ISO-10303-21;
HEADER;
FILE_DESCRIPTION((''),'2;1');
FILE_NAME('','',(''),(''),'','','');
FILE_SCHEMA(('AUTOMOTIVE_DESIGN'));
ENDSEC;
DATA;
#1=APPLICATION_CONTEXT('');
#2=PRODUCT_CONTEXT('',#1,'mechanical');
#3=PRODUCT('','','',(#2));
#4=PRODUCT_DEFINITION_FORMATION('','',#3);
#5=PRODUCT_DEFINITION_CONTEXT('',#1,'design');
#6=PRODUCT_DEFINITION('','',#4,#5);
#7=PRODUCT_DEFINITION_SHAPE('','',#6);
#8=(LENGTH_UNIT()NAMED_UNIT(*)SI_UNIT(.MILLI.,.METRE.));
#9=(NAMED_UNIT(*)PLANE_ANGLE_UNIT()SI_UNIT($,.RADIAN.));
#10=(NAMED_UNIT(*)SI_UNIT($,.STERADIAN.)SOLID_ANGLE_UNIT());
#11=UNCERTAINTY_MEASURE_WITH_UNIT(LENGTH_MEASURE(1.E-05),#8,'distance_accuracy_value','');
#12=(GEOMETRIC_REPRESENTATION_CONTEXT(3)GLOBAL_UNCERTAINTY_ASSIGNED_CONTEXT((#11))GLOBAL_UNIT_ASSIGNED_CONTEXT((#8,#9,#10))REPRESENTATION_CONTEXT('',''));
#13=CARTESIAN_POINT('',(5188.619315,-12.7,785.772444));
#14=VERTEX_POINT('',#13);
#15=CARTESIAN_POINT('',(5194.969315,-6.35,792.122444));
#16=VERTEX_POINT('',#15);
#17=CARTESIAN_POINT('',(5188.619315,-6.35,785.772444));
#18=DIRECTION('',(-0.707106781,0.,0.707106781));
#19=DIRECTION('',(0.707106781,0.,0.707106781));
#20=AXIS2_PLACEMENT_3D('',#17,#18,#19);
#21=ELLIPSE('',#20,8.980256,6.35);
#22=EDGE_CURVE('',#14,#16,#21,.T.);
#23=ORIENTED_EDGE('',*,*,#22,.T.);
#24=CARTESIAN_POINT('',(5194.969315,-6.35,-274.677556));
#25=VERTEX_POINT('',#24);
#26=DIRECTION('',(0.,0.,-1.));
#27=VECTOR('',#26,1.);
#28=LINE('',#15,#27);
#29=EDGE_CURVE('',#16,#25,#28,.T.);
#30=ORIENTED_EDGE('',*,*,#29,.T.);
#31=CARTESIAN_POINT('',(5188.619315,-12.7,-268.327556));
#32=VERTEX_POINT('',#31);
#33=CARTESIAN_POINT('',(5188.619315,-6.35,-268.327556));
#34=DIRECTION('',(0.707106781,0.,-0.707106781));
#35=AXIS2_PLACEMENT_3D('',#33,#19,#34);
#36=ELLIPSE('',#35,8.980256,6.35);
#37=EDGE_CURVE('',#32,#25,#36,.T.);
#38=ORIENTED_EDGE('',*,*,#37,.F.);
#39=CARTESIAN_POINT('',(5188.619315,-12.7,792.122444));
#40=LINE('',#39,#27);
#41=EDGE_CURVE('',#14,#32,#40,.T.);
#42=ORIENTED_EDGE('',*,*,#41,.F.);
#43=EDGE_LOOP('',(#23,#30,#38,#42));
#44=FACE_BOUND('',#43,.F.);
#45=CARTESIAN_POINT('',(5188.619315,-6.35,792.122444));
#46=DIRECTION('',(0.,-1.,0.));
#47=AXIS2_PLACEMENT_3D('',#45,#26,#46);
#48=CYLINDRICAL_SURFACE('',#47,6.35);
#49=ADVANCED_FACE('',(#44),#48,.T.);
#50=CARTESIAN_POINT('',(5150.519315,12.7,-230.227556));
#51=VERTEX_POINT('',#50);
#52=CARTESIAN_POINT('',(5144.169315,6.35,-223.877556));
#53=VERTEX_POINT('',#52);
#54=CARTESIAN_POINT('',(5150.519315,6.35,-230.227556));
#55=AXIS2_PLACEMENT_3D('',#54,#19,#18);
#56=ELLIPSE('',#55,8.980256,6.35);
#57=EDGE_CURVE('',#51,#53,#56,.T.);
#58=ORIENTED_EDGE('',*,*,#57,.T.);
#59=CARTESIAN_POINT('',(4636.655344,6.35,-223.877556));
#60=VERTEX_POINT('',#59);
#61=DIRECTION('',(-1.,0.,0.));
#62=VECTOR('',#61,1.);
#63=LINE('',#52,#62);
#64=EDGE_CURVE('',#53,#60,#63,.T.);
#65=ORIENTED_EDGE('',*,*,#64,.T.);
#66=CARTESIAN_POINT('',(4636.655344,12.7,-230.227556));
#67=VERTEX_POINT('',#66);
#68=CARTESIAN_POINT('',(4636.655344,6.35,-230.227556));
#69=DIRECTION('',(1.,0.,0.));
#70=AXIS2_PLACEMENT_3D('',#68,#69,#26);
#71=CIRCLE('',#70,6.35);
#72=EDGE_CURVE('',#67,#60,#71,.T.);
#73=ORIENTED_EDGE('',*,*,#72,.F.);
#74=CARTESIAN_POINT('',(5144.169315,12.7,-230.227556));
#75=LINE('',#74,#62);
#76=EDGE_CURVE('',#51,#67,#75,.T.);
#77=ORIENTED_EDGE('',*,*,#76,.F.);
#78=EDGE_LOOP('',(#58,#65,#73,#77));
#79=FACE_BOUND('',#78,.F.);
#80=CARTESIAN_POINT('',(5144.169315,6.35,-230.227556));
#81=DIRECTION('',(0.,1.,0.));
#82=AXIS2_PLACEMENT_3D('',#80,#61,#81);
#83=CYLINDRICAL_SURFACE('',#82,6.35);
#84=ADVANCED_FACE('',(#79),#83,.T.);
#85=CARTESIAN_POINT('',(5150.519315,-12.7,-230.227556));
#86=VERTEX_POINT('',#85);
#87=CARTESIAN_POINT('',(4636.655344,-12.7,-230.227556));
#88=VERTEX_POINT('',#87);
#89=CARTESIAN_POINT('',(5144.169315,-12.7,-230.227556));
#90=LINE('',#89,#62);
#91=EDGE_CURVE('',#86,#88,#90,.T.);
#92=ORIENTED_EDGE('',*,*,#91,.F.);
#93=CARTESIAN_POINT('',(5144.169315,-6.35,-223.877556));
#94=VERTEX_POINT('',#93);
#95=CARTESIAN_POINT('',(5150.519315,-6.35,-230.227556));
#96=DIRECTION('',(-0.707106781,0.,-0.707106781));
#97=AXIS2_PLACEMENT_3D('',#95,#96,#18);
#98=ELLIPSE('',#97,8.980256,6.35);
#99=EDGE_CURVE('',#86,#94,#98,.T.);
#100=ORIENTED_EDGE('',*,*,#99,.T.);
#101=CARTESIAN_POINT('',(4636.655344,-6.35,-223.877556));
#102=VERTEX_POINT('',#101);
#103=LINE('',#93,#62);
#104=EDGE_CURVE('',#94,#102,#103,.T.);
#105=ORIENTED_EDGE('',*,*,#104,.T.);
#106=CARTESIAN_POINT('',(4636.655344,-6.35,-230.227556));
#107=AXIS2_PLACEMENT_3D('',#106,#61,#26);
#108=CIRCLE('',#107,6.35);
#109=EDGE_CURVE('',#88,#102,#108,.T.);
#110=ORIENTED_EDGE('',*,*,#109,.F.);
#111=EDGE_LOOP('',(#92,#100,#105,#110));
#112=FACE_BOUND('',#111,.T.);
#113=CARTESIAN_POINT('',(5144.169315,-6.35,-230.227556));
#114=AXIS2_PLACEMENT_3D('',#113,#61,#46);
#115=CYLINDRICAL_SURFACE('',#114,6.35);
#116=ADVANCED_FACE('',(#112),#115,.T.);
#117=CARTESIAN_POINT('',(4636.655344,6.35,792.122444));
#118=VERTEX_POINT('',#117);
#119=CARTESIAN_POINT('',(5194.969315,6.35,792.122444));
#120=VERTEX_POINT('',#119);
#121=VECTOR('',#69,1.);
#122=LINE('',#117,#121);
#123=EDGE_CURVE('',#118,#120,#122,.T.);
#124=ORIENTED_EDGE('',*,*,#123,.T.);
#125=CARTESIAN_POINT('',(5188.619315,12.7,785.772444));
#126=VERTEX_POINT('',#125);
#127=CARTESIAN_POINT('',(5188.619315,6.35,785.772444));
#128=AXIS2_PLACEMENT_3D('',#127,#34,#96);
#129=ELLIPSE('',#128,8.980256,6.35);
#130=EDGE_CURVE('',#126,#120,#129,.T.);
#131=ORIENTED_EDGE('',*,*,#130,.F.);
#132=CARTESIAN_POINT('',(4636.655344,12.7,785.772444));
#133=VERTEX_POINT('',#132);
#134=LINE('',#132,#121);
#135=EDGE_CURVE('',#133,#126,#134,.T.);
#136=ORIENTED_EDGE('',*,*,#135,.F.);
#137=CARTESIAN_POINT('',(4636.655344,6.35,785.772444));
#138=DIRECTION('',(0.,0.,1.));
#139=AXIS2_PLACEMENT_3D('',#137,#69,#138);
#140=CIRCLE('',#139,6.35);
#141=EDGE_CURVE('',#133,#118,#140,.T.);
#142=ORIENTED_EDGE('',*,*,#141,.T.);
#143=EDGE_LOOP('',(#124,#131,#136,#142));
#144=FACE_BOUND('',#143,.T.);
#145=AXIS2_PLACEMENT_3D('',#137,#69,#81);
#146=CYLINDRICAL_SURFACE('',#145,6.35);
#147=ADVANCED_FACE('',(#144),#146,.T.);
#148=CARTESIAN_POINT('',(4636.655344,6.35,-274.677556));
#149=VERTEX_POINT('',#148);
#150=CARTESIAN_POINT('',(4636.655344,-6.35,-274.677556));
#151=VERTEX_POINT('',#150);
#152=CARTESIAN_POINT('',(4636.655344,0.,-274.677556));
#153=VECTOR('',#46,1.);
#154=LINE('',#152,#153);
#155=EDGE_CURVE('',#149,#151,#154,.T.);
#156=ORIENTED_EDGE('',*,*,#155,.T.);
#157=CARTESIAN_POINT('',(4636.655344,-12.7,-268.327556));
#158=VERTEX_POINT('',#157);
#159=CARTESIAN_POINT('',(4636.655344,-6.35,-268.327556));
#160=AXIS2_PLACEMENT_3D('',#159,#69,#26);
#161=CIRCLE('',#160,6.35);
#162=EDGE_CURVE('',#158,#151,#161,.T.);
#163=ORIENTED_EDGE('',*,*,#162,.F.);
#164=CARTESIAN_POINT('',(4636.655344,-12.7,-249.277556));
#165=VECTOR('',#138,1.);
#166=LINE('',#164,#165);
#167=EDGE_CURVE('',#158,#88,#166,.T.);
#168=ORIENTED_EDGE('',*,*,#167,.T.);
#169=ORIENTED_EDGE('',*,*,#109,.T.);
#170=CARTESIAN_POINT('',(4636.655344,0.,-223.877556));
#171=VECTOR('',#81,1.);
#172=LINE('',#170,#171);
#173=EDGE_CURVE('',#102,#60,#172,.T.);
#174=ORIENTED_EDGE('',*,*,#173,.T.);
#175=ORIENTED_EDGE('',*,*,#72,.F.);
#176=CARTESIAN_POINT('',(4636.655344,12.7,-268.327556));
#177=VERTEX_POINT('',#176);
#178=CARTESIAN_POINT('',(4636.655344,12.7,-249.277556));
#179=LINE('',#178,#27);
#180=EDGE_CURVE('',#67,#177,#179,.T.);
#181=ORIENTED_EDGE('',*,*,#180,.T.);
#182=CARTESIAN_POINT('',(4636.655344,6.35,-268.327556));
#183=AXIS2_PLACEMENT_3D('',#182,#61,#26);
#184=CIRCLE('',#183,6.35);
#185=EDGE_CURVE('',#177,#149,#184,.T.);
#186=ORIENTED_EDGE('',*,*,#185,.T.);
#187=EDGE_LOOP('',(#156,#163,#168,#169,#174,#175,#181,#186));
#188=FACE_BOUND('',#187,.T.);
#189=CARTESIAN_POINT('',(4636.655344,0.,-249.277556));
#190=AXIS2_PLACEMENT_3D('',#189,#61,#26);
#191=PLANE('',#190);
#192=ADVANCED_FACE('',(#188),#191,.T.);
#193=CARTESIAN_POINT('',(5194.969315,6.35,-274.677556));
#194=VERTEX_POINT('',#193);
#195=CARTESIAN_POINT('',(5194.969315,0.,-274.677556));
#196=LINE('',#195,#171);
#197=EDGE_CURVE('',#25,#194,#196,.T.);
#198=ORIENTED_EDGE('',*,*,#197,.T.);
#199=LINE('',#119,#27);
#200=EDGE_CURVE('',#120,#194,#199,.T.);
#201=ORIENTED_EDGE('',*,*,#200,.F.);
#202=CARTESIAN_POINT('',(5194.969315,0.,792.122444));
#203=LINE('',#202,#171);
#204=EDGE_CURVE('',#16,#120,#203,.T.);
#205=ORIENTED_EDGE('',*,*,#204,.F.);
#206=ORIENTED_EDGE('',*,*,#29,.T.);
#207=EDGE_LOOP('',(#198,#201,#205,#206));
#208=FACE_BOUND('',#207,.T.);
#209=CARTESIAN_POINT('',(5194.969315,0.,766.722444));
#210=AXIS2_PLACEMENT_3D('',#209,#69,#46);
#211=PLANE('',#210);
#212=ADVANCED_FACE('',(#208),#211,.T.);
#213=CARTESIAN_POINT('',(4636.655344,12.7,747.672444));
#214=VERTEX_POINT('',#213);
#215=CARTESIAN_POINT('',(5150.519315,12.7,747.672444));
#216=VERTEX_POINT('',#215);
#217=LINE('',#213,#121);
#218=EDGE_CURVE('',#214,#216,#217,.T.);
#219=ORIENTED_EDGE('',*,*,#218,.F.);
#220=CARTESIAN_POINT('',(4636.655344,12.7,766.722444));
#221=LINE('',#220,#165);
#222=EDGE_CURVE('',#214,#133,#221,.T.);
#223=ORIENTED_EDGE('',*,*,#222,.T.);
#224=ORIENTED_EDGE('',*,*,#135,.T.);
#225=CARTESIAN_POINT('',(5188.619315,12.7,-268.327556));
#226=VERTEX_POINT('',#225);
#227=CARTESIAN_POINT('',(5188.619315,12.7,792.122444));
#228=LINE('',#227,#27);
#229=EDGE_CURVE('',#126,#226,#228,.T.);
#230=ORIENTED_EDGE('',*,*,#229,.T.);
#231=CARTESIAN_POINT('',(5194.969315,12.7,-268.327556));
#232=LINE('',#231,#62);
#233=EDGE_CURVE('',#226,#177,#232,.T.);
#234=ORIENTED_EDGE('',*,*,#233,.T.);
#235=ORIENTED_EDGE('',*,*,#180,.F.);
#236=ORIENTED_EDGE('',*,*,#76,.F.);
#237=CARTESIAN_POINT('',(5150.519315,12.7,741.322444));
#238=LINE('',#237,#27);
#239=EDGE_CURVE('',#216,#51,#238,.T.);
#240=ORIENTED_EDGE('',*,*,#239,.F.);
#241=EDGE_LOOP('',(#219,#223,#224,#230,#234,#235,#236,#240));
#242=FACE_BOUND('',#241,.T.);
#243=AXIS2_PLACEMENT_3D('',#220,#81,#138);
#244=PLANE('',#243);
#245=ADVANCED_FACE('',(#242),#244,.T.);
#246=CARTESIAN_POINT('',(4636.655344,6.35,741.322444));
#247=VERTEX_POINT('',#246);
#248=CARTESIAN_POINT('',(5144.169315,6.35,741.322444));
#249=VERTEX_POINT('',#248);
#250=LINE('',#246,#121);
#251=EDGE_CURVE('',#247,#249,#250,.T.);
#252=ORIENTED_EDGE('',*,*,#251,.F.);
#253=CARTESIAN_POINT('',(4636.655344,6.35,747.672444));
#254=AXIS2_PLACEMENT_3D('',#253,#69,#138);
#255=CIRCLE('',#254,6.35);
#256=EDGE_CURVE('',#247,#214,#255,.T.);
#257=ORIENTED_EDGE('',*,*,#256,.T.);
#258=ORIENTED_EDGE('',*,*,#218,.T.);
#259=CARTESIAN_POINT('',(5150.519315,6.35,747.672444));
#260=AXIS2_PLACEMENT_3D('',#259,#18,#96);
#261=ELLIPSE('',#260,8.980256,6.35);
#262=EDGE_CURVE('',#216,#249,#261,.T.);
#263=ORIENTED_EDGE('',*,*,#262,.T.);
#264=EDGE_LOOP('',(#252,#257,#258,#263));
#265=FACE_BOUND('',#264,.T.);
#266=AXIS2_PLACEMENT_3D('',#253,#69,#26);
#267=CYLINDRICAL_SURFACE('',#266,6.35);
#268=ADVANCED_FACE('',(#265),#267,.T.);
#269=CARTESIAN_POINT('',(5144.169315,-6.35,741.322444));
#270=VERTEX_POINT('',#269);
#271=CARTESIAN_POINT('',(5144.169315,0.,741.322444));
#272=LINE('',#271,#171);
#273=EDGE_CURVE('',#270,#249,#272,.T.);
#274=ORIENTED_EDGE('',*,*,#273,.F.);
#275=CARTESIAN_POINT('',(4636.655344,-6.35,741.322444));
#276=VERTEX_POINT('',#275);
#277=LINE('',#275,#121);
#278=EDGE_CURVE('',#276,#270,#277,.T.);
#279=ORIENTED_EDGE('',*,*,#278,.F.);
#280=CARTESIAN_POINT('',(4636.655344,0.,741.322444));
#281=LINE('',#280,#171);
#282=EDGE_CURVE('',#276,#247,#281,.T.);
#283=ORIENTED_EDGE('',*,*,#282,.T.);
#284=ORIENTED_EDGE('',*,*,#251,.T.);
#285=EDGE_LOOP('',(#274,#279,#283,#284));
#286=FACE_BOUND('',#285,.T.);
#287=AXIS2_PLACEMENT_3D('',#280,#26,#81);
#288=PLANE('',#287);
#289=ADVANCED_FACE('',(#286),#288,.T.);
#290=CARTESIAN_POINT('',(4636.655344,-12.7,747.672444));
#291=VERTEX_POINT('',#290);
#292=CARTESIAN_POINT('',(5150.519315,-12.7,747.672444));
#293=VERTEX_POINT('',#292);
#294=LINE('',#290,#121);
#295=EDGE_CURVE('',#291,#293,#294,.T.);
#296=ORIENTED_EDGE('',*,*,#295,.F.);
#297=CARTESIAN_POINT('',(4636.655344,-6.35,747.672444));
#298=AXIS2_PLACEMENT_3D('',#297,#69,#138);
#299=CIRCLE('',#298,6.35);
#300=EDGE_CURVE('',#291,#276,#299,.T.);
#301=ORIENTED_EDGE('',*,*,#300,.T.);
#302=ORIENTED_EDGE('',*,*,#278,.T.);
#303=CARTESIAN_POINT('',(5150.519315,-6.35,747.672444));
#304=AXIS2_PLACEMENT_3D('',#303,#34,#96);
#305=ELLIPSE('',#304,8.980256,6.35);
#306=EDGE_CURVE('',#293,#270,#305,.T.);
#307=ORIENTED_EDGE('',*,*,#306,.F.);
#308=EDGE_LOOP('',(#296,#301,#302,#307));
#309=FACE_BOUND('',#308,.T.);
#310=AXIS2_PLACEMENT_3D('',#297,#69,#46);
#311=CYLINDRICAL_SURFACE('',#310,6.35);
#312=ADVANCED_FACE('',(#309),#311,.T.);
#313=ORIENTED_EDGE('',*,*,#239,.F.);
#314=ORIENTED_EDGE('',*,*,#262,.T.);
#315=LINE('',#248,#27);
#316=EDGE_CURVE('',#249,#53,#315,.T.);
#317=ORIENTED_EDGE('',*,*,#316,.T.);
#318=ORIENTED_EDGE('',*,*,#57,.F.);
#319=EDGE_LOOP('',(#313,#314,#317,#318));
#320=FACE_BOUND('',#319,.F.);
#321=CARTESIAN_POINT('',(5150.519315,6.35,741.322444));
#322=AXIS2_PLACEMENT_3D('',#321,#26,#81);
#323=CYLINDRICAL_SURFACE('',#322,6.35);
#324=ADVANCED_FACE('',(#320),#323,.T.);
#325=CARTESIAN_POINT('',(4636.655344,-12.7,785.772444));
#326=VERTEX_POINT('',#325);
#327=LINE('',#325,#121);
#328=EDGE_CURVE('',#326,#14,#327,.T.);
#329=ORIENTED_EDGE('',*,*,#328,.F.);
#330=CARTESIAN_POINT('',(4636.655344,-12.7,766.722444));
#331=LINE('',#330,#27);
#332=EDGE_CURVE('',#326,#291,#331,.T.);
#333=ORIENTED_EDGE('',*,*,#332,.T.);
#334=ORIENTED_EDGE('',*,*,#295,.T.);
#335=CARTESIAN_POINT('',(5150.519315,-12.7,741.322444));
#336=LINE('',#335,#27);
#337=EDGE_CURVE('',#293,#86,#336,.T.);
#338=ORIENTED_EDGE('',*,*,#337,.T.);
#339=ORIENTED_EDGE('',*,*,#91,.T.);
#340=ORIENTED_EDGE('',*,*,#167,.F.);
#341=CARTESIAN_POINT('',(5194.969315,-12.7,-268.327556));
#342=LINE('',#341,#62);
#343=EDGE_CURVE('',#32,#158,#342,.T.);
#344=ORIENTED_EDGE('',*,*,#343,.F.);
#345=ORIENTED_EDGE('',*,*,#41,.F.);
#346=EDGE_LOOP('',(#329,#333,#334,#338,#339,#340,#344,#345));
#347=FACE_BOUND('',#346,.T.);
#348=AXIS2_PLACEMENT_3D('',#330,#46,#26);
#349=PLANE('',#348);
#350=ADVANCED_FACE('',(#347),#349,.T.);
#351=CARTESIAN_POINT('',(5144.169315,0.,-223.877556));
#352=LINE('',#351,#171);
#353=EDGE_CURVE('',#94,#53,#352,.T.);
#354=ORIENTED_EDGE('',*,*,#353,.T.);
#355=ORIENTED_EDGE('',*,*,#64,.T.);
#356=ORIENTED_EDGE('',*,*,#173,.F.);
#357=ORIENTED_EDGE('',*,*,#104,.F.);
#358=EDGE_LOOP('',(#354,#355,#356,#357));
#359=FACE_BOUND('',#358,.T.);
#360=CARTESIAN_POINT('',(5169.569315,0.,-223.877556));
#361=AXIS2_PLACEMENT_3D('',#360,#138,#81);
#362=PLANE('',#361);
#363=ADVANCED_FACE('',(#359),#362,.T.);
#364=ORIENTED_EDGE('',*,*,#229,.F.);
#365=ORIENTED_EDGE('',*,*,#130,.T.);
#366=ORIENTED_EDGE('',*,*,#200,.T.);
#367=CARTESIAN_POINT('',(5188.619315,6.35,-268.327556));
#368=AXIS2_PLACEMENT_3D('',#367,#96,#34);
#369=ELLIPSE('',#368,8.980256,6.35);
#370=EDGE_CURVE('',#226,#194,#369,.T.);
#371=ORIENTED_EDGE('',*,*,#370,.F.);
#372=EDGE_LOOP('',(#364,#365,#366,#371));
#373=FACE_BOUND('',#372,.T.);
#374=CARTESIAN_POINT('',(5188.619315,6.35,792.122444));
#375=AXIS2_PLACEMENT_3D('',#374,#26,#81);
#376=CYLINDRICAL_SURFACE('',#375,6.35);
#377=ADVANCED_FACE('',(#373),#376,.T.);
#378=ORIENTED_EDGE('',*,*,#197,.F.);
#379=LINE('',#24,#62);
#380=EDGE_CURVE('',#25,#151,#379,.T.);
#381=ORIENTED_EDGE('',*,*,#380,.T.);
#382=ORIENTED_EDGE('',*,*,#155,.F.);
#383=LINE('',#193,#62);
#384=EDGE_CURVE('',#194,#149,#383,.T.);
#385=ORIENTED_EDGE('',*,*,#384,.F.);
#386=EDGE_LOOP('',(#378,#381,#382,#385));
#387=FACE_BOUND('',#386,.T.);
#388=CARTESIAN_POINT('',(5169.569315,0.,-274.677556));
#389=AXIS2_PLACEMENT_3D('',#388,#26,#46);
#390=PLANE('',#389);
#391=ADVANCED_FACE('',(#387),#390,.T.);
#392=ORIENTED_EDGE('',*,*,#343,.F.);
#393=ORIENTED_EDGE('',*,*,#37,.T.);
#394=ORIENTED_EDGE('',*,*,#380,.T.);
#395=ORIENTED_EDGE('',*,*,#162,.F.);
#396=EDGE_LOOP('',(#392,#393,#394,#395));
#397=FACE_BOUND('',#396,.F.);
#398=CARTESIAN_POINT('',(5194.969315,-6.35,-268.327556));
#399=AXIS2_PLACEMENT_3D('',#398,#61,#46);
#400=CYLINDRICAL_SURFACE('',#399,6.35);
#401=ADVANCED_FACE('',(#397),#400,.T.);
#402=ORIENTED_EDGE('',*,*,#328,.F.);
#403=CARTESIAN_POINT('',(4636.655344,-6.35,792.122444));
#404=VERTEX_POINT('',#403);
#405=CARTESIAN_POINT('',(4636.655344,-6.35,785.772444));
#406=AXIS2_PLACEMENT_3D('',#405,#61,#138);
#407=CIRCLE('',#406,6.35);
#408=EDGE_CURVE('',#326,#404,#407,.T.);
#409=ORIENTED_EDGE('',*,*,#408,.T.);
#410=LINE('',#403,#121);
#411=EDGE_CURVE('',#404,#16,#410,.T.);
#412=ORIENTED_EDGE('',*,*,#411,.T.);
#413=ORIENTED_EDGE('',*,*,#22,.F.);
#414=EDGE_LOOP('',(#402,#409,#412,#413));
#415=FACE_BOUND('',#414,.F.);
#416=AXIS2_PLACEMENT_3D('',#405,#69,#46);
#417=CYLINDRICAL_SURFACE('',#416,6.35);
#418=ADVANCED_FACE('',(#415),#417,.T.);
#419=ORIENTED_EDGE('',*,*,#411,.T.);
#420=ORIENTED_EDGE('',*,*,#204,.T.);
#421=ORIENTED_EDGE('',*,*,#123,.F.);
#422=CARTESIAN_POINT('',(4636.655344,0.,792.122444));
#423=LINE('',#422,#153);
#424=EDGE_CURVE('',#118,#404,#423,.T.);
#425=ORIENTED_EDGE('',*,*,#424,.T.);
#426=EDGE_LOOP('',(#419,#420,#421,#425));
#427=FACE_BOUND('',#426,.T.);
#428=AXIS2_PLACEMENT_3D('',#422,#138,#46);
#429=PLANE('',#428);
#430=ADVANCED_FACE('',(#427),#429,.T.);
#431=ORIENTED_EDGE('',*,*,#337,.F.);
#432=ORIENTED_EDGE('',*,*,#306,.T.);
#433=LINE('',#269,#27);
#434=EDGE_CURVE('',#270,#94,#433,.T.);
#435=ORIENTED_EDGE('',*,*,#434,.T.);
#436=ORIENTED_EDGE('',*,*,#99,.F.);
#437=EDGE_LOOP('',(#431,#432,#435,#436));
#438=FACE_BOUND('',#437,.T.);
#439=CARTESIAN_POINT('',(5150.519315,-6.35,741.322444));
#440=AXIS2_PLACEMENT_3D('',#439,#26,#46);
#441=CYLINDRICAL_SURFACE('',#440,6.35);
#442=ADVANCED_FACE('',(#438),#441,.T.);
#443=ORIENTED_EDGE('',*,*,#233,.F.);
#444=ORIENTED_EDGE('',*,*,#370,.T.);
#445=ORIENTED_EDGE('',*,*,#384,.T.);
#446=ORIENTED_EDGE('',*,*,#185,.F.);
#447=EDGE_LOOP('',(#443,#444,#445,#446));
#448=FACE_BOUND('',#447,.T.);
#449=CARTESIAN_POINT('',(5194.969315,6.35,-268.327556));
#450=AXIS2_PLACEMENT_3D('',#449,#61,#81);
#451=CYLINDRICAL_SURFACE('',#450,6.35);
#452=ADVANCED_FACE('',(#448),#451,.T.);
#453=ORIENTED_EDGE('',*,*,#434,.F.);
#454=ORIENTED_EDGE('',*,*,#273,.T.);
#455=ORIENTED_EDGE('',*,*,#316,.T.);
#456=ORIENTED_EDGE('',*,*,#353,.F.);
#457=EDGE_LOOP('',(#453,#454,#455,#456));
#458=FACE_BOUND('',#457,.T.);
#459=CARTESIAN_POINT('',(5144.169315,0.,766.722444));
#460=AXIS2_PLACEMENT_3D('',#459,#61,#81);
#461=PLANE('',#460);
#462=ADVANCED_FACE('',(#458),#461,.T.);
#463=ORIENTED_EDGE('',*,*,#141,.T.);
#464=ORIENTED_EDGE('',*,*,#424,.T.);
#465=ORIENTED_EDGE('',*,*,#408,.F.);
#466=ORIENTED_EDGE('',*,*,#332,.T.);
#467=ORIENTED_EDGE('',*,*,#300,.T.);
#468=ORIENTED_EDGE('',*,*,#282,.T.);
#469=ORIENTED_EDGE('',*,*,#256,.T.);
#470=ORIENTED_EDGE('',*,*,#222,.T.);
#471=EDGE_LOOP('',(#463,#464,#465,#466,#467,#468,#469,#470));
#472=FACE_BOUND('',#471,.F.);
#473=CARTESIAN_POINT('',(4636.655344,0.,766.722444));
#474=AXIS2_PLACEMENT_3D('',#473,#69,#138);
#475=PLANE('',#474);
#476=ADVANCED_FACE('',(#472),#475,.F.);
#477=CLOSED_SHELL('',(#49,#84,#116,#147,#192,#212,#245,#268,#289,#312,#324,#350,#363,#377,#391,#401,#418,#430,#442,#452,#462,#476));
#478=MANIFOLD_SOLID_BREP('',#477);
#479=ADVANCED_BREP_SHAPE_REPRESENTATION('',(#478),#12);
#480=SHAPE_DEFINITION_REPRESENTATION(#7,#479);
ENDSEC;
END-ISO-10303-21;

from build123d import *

# Parameters (mm, degrees)
F3_W = 25.4
F3_H = 50.8
F5_R = 6.35


with BuildPart() as f4:
    # F4: sweep along a path in F1
    with BuildLine(Plane.XZ) as f4_path:
        Line((4636.6553444, 766.7224442), (5169.5693154, 766.7224442))
        Line((5169.5693154, 766.7224442), (5169.5693154, -249.2775558))
        Line((5169.5693154, -249.2775558), (4636.6553444, -249.2775558))
    # F3 (on plane+point) → F4 (sweep)
    with BuildSketch(Plane.YZ.offset(4636.6553444)):
        with Locations((0, 766.7224442)):
            Rectangle(F3_W, F3_H)
    sweep(path=f4_path.line, transition=Transition.RIGHT)

    # F5
    f5_edges = [f4.edges().sort_by_distance(p)[0] for p in [
        (4890.41233, 12.7, -223.877556),
        (5144.169315, 12.7, 258.722444),
        (5194.969315, 12.7, 258.722444),
        (4915.81233, 12.7, -274.677556),
        (4890.41233, -12.7, -223.877556),
        (5144.169315, -12.7, 258.722444),
        (4890.41233, 12.7, 741.322444),
        (4915.81233, 12.7, 792.122444),
        (4915.81233, -12.7, 792.122444),
        (4890.41233, -12.7, 741.322444),
        (5194.969315, -12.7, 258.722444),
        (4915.81233, -12.7, -274.677556),
    ]]
    fillet(f5_edges, radius=F5_R)


solid = f4.part
